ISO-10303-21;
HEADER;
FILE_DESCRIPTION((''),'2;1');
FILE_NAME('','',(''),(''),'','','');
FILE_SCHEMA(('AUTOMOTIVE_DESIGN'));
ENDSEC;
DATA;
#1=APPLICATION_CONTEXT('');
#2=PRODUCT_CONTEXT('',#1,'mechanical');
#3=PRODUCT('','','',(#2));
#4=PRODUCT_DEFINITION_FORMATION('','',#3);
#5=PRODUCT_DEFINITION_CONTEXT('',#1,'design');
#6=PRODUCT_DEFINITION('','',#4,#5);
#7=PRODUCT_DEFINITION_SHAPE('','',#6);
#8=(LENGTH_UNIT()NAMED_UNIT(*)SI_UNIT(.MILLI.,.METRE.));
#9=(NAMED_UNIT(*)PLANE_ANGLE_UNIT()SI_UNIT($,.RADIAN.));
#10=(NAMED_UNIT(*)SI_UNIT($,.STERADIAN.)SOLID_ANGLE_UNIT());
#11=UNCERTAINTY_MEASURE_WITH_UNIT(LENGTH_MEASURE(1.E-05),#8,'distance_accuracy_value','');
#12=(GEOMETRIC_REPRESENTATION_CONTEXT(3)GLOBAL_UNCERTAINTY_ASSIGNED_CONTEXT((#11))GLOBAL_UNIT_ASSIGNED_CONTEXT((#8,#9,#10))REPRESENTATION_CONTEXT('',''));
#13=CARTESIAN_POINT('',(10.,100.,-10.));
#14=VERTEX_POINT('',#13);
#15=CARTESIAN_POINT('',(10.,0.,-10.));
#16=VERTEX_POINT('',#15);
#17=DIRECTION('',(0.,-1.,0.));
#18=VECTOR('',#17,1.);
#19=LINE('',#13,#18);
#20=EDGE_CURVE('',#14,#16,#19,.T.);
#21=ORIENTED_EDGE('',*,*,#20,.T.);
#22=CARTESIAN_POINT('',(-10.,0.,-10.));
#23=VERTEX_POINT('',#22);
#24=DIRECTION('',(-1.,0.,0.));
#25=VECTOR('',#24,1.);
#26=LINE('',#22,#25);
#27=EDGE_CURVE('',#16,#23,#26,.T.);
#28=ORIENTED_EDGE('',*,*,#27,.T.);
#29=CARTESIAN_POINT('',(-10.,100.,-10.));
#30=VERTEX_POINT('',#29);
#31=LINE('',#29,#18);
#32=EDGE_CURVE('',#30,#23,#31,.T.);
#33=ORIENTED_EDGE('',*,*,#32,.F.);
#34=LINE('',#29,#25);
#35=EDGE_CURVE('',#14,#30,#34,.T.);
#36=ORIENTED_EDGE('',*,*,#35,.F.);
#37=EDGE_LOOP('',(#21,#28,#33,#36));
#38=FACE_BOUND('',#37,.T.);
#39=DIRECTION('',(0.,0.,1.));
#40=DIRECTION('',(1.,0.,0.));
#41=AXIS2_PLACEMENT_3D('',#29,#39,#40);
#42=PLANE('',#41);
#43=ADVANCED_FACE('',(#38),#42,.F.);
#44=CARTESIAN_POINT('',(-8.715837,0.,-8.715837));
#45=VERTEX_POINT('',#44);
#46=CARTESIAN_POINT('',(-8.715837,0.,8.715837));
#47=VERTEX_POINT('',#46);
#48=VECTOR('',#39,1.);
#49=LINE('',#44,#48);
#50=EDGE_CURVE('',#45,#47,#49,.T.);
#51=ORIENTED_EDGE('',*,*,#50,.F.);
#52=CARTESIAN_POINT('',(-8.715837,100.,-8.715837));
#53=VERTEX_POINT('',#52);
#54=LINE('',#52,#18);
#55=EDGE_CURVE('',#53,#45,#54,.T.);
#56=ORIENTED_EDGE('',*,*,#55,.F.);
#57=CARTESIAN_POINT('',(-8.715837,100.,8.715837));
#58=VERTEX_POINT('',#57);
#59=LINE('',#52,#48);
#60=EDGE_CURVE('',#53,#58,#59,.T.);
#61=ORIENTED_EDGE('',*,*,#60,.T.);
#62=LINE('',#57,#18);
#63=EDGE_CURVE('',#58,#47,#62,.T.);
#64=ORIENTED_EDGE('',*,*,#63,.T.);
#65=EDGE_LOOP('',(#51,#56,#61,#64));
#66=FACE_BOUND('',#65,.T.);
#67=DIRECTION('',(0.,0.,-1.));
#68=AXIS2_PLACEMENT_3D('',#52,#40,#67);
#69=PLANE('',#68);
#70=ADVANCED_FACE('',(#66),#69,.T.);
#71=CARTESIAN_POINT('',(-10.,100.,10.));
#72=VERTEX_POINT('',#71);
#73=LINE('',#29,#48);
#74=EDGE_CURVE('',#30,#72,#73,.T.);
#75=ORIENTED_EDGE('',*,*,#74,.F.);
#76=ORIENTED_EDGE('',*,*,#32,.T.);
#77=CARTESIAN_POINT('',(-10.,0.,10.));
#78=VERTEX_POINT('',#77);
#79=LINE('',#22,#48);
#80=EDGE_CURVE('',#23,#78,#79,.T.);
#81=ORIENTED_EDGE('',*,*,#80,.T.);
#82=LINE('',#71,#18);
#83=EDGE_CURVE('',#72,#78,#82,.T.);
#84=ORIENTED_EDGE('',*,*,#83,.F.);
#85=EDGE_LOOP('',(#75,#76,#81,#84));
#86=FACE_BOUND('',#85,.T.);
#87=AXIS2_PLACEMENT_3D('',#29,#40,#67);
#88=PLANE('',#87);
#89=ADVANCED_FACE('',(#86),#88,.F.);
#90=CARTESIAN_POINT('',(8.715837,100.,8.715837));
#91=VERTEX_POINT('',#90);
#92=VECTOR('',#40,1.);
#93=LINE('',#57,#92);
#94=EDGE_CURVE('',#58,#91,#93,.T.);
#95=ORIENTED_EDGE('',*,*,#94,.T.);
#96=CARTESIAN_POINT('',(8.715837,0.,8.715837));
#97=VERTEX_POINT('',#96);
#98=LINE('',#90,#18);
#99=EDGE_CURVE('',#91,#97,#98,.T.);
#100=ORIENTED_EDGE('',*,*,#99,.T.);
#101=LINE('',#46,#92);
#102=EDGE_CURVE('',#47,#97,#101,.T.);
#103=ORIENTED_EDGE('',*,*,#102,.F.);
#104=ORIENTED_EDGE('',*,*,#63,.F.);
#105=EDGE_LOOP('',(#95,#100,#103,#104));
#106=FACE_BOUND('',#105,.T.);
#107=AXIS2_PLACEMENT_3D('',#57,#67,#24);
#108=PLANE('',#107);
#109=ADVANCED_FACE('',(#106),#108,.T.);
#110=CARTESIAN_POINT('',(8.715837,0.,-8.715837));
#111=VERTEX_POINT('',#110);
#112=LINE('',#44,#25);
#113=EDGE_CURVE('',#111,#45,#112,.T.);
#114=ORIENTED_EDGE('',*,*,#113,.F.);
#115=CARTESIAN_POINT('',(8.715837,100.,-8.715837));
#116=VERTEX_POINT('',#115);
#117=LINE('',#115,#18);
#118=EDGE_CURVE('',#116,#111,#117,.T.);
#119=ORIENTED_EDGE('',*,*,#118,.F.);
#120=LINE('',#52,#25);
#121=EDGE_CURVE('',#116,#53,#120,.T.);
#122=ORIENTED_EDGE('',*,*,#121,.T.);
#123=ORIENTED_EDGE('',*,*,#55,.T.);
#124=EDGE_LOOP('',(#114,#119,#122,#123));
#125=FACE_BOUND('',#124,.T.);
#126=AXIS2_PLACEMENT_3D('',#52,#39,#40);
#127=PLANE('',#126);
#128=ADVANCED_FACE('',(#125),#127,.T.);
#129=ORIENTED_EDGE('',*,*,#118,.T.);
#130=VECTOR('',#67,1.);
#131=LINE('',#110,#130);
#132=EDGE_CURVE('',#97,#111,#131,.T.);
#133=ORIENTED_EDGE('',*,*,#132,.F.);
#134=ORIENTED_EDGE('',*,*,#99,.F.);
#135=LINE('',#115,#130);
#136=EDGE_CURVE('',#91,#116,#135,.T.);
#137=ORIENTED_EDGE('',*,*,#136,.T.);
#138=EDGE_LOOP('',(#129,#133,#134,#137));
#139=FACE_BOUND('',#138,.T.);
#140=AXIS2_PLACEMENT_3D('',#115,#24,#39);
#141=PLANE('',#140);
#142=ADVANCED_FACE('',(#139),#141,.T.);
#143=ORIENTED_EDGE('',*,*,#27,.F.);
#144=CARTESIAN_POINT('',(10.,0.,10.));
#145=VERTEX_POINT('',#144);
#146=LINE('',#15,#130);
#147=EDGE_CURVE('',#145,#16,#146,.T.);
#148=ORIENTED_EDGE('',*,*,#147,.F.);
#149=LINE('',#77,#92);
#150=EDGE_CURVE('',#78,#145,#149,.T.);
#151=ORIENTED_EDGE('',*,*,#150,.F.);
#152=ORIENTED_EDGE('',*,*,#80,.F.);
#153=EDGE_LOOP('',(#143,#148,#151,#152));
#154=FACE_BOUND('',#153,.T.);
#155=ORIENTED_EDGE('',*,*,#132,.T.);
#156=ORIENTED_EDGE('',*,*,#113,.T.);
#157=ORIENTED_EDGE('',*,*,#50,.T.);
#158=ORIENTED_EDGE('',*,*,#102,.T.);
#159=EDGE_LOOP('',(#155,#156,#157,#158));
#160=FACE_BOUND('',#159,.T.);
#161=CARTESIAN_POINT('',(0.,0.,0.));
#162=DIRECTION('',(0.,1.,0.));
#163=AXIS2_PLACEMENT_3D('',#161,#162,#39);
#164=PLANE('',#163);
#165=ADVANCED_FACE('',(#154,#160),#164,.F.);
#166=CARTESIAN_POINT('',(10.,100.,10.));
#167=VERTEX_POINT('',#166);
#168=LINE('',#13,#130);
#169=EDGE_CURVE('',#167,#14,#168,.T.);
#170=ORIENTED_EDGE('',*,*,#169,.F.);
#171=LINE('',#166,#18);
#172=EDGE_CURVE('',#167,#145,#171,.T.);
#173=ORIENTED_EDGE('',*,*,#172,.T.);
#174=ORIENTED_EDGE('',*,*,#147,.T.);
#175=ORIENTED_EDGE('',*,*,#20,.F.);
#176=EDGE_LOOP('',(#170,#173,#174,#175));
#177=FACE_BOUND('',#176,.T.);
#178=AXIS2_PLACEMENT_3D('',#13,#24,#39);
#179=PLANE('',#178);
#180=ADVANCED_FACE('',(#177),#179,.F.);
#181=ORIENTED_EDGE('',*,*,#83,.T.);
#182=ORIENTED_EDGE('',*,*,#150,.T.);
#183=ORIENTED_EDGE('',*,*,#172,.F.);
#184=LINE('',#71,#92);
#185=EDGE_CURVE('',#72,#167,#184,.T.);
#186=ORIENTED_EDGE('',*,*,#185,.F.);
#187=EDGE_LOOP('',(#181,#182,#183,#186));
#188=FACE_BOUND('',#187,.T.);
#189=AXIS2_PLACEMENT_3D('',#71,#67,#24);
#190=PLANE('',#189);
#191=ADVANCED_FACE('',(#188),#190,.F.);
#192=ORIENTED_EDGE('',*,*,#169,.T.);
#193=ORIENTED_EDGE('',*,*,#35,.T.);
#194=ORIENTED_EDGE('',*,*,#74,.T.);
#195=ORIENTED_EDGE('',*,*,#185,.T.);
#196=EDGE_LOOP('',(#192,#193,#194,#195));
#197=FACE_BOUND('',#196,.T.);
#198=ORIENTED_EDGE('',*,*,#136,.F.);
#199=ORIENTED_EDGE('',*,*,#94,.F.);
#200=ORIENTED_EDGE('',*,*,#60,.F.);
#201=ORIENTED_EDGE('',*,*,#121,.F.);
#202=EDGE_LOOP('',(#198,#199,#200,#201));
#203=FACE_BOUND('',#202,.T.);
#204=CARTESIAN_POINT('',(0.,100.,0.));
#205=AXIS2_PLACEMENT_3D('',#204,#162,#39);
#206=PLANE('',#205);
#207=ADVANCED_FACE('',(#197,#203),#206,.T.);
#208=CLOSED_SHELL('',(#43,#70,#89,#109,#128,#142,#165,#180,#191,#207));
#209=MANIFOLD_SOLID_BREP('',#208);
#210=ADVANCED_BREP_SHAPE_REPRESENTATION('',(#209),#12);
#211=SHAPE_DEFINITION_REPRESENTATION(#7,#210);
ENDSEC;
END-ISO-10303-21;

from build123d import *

# Parameters (mm, degrees)
SKETCH1_W           = 20
SKETCH1_H           = 20
SKETCH1_W_2         = 17.431674648
SKETCH1_H_2         = 17.431674648
BOSS_EXTRUDE1_DEPTH = 100


with BuildPart() as part:
    # Sketch1 → Boss-Extrude1 (new body)
    with BuildSketch(Plane(origin=(0, 0, 0), x_dir=(1, 0, 0), z_dir=(0, 1, 0))):
        Rectangle(SKETCH1_W, SKETCH1_H)
        Rectangle(SKETCH1_W_2, SKETCH1_H_2, mode=Mode.SUBTRACT)
    extrude(amount=BOSS_EXTRUDE1_DEPTH)


solid = part.part
